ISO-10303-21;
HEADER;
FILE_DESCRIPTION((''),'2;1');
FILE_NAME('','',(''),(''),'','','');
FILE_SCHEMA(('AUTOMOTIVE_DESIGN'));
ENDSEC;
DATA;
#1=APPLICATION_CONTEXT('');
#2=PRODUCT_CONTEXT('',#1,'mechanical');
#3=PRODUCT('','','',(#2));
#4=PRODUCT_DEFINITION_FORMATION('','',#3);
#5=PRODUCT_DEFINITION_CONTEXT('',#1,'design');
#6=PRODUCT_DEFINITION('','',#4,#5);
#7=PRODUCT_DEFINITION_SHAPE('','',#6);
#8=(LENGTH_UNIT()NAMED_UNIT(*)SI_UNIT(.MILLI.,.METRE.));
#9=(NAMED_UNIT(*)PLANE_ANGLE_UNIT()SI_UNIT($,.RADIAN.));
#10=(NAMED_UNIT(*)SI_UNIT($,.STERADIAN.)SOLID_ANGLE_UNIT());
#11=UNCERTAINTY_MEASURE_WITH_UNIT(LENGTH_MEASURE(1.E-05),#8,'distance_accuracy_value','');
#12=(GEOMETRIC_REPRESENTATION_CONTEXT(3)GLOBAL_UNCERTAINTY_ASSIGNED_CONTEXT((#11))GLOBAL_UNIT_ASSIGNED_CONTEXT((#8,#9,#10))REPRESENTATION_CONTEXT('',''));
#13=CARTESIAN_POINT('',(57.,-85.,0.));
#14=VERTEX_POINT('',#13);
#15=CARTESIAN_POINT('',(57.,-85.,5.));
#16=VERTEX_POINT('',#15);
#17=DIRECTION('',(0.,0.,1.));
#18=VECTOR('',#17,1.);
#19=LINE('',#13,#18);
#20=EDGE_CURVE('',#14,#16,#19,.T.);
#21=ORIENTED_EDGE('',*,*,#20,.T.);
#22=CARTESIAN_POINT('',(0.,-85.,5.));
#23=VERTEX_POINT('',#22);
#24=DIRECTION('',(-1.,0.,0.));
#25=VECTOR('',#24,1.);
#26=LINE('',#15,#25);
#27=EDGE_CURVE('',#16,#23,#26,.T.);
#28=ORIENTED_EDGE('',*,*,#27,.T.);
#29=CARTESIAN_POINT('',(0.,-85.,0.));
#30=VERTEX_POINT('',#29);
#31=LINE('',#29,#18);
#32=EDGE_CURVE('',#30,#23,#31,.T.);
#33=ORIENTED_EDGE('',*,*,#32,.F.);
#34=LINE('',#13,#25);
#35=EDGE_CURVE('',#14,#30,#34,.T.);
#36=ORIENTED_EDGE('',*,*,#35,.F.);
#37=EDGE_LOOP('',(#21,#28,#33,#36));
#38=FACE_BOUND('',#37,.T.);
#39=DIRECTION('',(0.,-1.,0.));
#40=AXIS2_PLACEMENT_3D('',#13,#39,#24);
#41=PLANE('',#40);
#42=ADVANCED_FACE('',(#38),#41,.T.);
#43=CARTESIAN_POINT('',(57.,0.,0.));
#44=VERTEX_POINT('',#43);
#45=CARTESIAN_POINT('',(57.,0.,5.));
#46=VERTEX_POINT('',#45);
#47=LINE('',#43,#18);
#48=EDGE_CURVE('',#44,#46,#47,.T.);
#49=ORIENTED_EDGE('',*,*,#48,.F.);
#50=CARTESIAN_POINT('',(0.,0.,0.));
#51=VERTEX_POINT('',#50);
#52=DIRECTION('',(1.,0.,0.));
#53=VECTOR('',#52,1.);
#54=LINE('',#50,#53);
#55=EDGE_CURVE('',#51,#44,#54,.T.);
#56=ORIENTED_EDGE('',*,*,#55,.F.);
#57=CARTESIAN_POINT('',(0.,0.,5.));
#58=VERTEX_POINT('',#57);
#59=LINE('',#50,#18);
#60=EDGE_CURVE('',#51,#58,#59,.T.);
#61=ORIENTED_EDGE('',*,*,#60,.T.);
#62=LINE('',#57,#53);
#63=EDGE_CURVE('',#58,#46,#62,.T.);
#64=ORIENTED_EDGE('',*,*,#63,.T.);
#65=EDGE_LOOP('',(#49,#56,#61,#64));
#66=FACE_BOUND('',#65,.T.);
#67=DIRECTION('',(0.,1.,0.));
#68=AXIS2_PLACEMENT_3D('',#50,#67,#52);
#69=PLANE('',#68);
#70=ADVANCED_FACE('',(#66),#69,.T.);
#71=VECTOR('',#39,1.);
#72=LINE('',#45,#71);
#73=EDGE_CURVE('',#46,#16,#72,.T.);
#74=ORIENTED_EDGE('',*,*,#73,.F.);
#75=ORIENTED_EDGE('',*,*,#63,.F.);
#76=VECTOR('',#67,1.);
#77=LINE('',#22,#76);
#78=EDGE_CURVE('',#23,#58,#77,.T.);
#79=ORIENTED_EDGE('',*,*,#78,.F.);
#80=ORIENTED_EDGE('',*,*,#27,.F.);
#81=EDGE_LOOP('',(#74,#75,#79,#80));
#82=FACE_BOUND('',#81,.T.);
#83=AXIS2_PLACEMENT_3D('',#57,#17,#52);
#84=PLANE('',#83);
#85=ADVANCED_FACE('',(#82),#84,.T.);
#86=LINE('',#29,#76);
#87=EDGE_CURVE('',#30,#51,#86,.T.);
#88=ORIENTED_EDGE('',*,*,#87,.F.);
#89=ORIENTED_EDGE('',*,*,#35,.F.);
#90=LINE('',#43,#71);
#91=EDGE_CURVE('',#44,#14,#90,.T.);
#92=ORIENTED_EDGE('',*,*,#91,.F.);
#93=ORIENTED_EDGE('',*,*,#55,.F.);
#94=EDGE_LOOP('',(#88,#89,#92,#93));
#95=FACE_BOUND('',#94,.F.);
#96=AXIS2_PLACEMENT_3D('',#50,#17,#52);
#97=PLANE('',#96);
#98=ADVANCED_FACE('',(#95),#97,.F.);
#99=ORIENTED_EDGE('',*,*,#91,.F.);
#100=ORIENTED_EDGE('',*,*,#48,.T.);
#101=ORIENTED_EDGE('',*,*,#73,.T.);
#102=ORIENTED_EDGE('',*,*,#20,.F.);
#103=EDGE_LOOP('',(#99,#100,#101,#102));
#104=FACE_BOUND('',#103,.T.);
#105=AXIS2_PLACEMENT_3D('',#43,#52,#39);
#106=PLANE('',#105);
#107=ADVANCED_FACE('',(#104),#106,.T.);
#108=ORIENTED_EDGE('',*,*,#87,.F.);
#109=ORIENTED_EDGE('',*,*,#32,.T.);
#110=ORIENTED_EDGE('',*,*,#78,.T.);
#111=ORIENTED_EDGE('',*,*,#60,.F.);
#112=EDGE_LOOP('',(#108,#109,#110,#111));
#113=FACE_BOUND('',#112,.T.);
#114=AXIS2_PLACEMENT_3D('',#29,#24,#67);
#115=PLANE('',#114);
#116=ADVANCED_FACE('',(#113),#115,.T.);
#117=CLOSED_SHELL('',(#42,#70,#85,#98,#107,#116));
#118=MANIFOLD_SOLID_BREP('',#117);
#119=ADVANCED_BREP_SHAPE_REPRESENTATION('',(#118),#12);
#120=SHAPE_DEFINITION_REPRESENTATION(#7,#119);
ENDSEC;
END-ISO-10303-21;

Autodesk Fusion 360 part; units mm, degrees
sketch "Sketch1" plane through (0, 0, 0) normal (0, 0, 1) x (1, 0, 0)
  line L0 (0, 0) -> (57, 0)
  line L1 (57, 0) -> (57, -85)
  line L2 (57, -85) -> (0, -85)
  line L3 (0, -85) -> (0, 0)
  dimension "d7" = 57
  dimension "d8" = 85
extrude "Extrude1" add sketch "Sketch1" along normal blind 5
equation "perfboard_length = 65 mm"
equation "perfboard_width = 37 mm"
equation "width = perfboard_length + 2 * screw_radius * 2"
equation "length = perfboard_width + 2 * screw_radius * 2"
equation "height = 5 mm"
equation "d7 = length"
equation "d8 = width"
equation "d9 = height"
equation "extra = 100 mm"
equation "screw_radius = 5 mm"
